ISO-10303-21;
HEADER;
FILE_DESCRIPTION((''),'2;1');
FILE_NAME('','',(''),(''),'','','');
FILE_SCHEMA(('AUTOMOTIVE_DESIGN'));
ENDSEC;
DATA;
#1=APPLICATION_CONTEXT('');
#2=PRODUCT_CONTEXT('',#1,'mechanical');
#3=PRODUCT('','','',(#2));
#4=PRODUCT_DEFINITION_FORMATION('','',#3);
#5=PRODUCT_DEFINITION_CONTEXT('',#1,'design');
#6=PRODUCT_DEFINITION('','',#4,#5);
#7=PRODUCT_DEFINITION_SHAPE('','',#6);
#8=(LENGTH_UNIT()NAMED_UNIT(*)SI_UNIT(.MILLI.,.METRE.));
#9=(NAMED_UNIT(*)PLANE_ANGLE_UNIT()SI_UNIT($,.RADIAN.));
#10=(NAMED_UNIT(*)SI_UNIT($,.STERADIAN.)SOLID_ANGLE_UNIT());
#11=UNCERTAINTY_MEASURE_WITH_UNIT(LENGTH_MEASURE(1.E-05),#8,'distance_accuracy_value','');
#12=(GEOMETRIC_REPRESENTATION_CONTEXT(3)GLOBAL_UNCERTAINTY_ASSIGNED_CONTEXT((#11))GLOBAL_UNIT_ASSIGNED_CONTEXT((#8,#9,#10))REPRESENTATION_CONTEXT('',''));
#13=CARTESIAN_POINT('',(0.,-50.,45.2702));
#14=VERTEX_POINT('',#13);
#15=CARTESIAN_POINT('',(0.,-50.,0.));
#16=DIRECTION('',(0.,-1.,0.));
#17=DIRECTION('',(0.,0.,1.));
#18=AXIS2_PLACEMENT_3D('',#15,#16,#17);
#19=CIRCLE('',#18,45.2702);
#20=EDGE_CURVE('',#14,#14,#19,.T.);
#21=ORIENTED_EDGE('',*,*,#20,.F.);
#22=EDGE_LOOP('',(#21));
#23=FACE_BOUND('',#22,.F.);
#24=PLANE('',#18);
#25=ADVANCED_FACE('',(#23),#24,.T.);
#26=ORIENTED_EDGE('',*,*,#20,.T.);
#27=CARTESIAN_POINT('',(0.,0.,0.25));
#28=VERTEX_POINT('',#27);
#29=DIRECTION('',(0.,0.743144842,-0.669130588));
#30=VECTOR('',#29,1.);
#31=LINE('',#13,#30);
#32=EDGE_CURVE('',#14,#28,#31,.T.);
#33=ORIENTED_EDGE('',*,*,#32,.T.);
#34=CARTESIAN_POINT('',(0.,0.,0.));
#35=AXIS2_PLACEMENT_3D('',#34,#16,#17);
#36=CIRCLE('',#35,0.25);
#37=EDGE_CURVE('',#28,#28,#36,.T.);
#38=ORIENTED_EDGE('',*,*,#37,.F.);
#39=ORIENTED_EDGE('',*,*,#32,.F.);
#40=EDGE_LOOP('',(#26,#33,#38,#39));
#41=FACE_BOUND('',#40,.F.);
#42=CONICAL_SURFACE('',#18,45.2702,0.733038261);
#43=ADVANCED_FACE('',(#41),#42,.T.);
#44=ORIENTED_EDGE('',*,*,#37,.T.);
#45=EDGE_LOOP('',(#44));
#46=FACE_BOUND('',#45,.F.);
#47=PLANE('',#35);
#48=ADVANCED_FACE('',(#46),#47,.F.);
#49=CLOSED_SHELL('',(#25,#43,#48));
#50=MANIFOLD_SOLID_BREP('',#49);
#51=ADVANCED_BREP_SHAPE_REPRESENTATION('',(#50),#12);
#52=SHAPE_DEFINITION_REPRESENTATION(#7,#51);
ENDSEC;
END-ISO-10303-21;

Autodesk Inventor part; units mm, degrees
ref_plane "YZ Plane" through (0, 0, 0) normal (1, 0, 0) x (0, 1, 0)
ref_plane "XZ Plane" through (0, 0, 0) normal (0, 1, 0) x (-1, 0, 0)
ref_plane "XY Plane" through (0, 0, 0) normal (0, 0, 1) x (1, 0, 0)
sketch "Skizze1" plane through (0, 0, 0) normal (1, 0, 0) x (0, 1, 0)
  line L0 (0, 0) -> (-50, 0)
  line L1 (-50, 0) -> (-50, 45.2702)
  line L2 (-50, 45.2702) -> (0, 0.25)
  line L3 (0, 0.25) -> (0, 0)
  dimension "d0" = 42
  dimension "d1" = 50
  dimension "d3" = 0.5
revolve "Umdrehung1" add sketch "Skizze1" angle 360 about axis through (0, 0, 0) along (0, -1, 0)
properties part number "Sichtkegel Gross"
